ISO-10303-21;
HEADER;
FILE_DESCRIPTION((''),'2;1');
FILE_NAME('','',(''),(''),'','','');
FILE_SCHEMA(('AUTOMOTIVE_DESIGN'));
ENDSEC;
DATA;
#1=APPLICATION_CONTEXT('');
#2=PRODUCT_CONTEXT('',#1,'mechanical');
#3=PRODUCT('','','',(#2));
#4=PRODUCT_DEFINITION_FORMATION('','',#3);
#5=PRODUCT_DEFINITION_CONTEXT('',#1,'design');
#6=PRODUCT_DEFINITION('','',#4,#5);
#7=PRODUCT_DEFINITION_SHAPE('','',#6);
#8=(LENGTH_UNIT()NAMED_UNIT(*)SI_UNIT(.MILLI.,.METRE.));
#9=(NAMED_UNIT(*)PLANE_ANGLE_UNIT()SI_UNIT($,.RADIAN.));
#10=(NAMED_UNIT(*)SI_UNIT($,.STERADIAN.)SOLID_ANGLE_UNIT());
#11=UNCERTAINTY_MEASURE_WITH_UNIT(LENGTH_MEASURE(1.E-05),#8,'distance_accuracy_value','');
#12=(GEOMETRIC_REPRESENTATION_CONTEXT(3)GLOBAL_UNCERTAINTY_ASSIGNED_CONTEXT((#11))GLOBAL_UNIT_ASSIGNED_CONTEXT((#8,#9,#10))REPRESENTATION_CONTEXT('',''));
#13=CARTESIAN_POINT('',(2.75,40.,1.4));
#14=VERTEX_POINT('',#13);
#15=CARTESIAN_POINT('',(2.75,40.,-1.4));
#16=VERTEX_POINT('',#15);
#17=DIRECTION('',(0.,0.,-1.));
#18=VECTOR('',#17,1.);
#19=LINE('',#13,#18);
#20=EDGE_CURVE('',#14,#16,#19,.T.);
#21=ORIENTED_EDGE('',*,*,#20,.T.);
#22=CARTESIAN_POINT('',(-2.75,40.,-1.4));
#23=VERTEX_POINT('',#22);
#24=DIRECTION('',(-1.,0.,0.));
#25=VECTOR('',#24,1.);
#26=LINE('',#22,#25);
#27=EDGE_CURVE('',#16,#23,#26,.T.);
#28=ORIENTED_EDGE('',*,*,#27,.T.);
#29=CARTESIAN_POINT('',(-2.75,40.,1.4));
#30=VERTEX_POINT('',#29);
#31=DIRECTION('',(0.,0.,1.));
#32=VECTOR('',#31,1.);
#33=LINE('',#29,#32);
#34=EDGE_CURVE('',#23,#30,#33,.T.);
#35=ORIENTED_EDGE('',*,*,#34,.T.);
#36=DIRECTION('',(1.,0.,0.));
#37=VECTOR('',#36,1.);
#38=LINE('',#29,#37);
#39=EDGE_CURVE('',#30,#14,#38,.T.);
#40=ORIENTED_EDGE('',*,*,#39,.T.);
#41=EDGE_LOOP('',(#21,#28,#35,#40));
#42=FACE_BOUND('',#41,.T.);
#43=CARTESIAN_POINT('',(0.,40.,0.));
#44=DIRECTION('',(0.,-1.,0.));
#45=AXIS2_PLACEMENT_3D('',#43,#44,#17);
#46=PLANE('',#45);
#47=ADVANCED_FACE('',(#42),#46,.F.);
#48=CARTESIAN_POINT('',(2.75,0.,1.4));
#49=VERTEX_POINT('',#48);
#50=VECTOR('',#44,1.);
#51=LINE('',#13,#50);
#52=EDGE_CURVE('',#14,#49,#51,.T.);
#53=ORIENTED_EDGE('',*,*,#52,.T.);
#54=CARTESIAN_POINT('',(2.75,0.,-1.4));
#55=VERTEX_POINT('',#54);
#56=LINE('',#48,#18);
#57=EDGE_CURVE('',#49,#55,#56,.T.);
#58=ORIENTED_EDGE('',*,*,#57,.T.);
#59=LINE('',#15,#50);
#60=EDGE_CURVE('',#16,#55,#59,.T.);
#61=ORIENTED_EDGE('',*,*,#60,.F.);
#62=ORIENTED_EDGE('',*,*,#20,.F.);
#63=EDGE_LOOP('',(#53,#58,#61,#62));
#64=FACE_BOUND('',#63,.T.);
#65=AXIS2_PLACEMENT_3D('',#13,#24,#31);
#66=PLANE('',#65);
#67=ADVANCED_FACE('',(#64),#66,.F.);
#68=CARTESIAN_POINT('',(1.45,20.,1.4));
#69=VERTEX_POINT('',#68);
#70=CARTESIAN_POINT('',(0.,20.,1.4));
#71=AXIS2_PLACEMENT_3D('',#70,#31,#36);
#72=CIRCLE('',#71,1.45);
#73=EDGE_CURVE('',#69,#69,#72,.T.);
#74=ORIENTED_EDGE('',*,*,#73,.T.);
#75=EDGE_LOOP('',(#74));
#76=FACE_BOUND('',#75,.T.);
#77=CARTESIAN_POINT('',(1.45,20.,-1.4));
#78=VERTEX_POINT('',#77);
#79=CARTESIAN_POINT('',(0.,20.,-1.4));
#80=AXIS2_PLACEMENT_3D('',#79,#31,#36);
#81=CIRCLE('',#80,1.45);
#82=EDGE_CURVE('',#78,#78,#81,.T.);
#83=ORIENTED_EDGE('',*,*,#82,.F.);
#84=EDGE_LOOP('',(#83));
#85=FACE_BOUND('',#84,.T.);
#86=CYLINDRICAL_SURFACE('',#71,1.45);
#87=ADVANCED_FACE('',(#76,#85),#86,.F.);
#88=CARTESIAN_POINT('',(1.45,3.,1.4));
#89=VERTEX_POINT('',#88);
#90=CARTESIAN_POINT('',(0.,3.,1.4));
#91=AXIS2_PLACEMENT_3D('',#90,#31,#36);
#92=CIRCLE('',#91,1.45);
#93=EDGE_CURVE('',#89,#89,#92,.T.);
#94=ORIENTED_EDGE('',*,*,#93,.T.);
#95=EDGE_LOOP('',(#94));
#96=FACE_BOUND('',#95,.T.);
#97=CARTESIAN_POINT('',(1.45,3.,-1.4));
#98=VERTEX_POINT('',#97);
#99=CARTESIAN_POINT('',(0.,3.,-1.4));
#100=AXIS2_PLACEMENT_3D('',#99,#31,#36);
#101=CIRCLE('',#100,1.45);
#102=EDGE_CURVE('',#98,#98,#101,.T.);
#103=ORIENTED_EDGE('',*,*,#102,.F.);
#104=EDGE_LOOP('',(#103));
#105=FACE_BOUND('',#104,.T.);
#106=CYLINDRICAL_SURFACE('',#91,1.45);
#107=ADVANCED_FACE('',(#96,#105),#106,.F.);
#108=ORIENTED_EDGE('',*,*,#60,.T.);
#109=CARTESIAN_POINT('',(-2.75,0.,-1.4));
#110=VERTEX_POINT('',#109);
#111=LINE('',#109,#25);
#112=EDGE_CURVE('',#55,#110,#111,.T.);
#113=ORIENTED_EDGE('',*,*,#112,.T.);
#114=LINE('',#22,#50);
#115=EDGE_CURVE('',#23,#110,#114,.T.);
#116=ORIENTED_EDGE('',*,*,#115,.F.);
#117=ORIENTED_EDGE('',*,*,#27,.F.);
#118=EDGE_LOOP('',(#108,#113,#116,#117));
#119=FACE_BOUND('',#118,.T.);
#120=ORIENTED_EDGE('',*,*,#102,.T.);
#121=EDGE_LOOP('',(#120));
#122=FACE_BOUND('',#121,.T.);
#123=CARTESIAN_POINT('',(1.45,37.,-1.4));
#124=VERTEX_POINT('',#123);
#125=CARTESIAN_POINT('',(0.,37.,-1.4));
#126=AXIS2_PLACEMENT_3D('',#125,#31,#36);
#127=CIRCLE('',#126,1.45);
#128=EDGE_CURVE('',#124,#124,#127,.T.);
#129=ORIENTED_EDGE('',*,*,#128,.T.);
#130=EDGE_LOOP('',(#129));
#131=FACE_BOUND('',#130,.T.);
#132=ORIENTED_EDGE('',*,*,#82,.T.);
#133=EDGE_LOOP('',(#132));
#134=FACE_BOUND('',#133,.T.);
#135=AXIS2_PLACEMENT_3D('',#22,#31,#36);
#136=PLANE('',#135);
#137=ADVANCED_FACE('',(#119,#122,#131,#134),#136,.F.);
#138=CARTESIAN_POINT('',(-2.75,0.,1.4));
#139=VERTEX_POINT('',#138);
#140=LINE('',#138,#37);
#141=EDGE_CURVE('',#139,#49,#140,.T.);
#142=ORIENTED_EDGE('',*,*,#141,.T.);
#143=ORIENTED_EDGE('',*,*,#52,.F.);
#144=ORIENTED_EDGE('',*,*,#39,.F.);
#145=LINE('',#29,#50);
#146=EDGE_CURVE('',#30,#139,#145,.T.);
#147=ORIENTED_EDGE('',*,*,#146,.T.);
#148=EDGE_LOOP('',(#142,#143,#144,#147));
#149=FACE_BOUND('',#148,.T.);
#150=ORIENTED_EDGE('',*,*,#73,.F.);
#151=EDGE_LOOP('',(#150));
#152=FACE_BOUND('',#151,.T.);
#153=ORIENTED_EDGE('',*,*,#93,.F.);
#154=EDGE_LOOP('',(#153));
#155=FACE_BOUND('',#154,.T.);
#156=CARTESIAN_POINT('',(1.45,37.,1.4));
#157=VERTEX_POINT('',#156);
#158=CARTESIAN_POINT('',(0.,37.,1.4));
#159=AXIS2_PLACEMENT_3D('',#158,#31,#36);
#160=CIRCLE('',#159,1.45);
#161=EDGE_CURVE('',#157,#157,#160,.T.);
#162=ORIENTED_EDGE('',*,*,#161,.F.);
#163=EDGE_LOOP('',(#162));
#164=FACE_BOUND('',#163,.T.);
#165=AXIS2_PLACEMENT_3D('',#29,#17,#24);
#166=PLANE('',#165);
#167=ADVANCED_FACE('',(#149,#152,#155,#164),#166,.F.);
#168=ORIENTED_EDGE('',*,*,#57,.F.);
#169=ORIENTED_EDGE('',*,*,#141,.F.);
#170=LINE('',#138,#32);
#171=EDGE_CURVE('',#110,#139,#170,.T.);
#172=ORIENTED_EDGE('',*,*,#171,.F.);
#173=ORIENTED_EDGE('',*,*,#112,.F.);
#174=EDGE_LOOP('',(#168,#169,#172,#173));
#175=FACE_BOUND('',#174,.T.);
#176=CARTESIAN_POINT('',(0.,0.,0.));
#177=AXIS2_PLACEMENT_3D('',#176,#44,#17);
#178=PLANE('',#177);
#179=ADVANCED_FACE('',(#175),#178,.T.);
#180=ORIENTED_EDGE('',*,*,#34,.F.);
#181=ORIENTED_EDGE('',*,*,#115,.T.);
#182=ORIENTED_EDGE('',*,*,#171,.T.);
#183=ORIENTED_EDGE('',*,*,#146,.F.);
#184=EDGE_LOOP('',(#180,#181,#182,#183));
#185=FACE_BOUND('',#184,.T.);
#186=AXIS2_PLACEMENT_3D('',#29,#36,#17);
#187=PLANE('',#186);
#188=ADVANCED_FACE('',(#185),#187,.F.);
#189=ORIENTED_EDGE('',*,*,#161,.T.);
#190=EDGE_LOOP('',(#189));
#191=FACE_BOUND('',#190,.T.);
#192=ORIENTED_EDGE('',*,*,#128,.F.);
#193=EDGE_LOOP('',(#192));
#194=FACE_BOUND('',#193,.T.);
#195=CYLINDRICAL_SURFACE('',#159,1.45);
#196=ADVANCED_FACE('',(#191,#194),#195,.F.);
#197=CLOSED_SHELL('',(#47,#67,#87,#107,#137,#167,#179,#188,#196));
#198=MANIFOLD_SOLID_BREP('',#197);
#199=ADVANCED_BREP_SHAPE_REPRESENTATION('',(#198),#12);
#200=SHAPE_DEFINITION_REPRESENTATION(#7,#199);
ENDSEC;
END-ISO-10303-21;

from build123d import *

# Parameters (mm, degrees)
SKETCH1_W              = 5.5
SKETCH1_H              = 2.8
BOSS_EXTRUDE1_DEPTH    = 40
M2_5_CLEARANCE_HOLE1_D = 2.9


with BuildPart() as part:
    # Sketch1 → Boss-Extrude1 (new body)
    with BuildSketch(Plane(origin=(0, 0, 0), x_dir=(1, 0, 0), z_dir=(0, 1, 0))):
        Rectangle(SKETCH1_W, SKETCH1_H)
    extrude(amount=BOSS_EXTRUDE1_DEPTH)

    # M2.5 Clearance Hole1 (through all)
    with Locations(Plane.XY.offset(1.4)):
        with Locations((0, 20), (0, 37), (0, 3)):
            Hole(M2_5_CLEARANCE_HOLE1_D / 2)


solid = part.part
